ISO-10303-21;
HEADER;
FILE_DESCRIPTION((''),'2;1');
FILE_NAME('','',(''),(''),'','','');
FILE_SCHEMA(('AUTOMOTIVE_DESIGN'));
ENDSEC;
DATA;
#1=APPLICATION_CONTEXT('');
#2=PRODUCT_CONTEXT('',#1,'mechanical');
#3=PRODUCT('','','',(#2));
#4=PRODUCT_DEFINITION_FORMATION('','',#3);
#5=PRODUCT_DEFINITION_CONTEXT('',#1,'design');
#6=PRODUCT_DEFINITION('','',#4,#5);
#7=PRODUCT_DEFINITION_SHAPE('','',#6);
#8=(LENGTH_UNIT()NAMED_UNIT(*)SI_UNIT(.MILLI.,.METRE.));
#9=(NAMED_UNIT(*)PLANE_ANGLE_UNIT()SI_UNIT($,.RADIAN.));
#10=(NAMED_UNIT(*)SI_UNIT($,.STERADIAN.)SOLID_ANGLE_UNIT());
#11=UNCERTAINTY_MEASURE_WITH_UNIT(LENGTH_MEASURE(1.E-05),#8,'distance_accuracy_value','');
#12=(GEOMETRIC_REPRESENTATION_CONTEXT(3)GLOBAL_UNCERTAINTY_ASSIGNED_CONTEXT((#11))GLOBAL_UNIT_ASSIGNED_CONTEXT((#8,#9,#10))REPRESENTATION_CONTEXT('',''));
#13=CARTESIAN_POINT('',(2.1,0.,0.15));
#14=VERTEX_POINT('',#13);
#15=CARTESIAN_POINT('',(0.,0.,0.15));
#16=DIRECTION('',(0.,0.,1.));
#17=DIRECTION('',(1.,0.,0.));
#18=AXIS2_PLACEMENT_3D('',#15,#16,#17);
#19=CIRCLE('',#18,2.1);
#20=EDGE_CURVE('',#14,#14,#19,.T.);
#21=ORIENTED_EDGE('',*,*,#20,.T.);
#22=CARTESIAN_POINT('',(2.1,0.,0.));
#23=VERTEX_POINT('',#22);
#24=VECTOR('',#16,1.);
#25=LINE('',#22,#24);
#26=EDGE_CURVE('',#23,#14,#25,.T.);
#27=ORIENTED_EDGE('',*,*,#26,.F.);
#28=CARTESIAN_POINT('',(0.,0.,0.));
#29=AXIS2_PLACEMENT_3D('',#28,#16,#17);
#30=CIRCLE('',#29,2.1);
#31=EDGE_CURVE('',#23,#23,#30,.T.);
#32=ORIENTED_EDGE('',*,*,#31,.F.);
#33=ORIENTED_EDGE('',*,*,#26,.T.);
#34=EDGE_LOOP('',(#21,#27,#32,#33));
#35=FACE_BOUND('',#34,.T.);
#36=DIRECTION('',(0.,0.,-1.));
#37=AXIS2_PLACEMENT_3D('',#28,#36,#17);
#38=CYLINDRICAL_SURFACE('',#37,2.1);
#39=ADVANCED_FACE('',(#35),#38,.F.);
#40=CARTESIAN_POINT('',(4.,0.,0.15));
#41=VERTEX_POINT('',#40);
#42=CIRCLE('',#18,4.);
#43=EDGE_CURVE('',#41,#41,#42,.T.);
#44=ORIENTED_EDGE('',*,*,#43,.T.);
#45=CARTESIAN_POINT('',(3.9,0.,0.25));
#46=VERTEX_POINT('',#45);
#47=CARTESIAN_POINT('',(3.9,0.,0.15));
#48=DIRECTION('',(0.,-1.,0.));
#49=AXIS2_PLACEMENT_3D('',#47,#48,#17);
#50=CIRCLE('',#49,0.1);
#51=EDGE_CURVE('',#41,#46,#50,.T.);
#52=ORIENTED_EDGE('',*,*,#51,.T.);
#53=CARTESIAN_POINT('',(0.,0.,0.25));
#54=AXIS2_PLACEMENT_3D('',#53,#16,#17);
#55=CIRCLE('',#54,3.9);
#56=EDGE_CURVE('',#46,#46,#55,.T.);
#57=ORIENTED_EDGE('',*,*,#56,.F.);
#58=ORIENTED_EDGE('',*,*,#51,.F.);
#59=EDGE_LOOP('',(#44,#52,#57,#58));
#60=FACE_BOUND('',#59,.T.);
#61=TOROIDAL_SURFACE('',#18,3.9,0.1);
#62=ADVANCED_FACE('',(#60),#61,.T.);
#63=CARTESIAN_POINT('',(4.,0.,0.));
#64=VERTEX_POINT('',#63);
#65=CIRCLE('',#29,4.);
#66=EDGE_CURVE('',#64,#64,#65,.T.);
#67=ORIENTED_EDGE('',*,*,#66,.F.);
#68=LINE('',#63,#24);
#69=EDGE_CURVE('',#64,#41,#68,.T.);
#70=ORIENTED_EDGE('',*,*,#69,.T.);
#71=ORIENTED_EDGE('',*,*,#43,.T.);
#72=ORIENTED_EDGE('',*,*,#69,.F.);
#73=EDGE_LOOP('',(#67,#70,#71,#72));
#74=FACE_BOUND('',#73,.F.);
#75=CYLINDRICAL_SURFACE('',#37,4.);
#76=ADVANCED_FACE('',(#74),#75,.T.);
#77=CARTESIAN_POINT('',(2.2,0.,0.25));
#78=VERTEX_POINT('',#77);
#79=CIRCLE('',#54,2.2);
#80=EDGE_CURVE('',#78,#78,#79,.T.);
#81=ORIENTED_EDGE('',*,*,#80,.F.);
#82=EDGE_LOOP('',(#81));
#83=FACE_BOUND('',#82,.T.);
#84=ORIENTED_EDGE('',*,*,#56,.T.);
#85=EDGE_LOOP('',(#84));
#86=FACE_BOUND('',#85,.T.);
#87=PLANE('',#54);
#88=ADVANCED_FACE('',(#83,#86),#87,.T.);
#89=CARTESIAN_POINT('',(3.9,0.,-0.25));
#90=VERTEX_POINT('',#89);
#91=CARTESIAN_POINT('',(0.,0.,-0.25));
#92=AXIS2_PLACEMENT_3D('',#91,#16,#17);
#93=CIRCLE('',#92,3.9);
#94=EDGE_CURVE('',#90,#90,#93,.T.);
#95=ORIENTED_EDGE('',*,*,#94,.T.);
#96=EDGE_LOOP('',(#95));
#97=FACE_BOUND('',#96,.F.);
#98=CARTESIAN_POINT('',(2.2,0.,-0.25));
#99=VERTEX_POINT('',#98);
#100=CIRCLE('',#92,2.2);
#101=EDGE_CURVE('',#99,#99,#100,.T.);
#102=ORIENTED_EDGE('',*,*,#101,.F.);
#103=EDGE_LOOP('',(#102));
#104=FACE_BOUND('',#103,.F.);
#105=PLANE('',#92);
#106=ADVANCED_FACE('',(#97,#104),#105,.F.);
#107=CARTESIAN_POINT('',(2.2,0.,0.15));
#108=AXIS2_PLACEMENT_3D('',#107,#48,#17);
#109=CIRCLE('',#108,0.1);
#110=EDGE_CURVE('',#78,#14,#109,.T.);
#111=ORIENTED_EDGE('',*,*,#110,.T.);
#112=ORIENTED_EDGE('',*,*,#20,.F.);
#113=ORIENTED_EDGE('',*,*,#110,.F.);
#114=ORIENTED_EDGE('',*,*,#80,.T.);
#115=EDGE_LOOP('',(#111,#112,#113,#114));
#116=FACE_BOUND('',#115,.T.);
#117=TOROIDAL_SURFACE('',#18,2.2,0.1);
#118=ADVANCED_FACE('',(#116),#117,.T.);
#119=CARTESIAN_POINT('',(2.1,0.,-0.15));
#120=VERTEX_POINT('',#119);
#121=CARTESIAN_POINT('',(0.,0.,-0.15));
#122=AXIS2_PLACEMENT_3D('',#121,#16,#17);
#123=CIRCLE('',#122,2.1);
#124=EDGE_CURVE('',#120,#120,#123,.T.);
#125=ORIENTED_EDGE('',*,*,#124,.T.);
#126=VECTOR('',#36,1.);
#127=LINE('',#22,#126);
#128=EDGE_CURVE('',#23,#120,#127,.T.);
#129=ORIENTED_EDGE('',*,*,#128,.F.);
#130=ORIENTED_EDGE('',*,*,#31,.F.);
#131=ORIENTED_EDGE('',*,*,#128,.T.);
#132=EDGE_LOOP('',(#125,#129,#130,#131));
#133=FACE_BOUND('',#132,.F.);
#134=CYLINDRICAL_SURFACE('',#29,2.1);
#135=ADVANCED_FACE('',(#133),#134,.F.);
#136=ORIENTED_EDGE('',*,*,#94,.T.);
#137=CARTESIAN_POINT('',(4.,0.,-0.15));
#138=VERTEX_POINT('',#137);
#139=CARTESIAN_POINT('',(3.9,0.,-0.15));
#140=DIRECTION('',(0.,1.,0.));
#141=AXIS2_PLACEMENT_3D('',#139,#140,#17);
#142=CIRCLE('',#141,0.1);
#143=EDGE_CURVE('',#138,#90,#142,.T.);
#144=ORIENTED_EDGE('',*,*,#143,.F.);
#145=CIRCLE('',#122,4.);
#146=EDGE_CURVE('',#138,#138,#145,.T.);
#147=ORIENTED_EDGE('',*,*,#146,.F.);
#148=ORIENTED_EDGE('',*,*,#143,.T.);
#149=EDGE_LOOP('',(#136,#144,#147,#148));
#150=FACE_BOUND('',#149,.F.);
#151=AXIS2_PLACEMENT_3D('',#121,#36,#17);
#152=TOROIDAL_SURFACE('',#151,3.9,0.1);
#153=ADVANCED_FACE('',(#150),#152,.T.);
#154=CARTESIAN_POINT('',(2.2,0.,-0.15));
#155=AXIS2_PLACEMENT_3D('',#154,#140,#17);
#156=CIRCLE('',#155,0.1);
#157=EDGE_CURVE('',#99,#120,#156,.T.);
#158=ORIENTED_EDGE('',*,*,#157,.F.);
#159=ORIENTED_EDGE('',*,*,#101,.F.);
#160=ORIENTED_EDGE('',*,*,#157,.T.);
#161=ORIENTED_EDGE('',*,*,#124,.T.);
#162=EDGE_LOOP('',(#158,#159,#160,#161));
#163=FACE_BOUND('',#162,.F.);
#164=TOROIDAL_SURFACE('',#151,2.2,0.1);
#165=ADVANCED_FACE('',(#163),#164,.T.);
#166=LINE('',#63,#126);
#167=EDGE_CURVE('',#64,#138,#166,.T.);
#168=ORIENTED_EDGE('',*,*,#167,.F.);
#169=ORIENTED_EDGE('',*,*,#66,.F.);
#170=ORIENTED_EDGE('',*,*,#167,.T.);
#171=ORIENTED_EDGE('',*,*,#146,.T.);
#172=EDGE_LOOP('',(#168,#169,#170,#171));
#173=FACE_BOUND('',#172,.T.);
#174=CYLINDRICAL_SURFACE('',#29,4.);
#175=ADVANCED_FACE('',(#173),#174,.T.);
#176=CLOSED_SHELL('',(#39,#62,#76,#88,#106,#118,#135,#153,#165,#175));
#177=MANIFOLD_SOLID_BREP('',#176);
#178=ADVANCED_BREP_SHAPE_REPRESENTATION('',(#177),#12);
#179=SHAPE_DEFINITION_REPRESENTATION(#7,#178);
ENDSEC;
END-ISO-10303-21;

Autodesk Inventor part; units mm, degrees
ref_plane "YZ Plane" through (0, 0, 0) normal (1, 0, 0) x (0, 1, 0)
ref_plane "XZ Plane" through (0, 0, 0) normal (0, 1, 0) x (-1, 0, 0)
ref_plane "XY Plane" through (0, 0, 0) normal (0, 0, 1) x (1, 0, 0)
sketch "Sketch1" plane through (0, 0, 0) normal (0, 0, 1) x (1, 0, 0)
  circle A0 centre (0, 0) radius 2.1
  circle A1 centre (0, 0) radius 4
  dimension "d0" = 4.2
  dimension "d1" = 8
extrude "Extrusion1" add sketch "Sketch1" along normal mid plane 0.5
fillet "Fillet1" radius 0.1 4 edges at (-2.1, 0, -0.25) (-2.1, 0, 0.25) (-4, 0, 0.25) (-4, 0, -0.25)
properties part number "M4 SHim" material "Stainless Steel"
